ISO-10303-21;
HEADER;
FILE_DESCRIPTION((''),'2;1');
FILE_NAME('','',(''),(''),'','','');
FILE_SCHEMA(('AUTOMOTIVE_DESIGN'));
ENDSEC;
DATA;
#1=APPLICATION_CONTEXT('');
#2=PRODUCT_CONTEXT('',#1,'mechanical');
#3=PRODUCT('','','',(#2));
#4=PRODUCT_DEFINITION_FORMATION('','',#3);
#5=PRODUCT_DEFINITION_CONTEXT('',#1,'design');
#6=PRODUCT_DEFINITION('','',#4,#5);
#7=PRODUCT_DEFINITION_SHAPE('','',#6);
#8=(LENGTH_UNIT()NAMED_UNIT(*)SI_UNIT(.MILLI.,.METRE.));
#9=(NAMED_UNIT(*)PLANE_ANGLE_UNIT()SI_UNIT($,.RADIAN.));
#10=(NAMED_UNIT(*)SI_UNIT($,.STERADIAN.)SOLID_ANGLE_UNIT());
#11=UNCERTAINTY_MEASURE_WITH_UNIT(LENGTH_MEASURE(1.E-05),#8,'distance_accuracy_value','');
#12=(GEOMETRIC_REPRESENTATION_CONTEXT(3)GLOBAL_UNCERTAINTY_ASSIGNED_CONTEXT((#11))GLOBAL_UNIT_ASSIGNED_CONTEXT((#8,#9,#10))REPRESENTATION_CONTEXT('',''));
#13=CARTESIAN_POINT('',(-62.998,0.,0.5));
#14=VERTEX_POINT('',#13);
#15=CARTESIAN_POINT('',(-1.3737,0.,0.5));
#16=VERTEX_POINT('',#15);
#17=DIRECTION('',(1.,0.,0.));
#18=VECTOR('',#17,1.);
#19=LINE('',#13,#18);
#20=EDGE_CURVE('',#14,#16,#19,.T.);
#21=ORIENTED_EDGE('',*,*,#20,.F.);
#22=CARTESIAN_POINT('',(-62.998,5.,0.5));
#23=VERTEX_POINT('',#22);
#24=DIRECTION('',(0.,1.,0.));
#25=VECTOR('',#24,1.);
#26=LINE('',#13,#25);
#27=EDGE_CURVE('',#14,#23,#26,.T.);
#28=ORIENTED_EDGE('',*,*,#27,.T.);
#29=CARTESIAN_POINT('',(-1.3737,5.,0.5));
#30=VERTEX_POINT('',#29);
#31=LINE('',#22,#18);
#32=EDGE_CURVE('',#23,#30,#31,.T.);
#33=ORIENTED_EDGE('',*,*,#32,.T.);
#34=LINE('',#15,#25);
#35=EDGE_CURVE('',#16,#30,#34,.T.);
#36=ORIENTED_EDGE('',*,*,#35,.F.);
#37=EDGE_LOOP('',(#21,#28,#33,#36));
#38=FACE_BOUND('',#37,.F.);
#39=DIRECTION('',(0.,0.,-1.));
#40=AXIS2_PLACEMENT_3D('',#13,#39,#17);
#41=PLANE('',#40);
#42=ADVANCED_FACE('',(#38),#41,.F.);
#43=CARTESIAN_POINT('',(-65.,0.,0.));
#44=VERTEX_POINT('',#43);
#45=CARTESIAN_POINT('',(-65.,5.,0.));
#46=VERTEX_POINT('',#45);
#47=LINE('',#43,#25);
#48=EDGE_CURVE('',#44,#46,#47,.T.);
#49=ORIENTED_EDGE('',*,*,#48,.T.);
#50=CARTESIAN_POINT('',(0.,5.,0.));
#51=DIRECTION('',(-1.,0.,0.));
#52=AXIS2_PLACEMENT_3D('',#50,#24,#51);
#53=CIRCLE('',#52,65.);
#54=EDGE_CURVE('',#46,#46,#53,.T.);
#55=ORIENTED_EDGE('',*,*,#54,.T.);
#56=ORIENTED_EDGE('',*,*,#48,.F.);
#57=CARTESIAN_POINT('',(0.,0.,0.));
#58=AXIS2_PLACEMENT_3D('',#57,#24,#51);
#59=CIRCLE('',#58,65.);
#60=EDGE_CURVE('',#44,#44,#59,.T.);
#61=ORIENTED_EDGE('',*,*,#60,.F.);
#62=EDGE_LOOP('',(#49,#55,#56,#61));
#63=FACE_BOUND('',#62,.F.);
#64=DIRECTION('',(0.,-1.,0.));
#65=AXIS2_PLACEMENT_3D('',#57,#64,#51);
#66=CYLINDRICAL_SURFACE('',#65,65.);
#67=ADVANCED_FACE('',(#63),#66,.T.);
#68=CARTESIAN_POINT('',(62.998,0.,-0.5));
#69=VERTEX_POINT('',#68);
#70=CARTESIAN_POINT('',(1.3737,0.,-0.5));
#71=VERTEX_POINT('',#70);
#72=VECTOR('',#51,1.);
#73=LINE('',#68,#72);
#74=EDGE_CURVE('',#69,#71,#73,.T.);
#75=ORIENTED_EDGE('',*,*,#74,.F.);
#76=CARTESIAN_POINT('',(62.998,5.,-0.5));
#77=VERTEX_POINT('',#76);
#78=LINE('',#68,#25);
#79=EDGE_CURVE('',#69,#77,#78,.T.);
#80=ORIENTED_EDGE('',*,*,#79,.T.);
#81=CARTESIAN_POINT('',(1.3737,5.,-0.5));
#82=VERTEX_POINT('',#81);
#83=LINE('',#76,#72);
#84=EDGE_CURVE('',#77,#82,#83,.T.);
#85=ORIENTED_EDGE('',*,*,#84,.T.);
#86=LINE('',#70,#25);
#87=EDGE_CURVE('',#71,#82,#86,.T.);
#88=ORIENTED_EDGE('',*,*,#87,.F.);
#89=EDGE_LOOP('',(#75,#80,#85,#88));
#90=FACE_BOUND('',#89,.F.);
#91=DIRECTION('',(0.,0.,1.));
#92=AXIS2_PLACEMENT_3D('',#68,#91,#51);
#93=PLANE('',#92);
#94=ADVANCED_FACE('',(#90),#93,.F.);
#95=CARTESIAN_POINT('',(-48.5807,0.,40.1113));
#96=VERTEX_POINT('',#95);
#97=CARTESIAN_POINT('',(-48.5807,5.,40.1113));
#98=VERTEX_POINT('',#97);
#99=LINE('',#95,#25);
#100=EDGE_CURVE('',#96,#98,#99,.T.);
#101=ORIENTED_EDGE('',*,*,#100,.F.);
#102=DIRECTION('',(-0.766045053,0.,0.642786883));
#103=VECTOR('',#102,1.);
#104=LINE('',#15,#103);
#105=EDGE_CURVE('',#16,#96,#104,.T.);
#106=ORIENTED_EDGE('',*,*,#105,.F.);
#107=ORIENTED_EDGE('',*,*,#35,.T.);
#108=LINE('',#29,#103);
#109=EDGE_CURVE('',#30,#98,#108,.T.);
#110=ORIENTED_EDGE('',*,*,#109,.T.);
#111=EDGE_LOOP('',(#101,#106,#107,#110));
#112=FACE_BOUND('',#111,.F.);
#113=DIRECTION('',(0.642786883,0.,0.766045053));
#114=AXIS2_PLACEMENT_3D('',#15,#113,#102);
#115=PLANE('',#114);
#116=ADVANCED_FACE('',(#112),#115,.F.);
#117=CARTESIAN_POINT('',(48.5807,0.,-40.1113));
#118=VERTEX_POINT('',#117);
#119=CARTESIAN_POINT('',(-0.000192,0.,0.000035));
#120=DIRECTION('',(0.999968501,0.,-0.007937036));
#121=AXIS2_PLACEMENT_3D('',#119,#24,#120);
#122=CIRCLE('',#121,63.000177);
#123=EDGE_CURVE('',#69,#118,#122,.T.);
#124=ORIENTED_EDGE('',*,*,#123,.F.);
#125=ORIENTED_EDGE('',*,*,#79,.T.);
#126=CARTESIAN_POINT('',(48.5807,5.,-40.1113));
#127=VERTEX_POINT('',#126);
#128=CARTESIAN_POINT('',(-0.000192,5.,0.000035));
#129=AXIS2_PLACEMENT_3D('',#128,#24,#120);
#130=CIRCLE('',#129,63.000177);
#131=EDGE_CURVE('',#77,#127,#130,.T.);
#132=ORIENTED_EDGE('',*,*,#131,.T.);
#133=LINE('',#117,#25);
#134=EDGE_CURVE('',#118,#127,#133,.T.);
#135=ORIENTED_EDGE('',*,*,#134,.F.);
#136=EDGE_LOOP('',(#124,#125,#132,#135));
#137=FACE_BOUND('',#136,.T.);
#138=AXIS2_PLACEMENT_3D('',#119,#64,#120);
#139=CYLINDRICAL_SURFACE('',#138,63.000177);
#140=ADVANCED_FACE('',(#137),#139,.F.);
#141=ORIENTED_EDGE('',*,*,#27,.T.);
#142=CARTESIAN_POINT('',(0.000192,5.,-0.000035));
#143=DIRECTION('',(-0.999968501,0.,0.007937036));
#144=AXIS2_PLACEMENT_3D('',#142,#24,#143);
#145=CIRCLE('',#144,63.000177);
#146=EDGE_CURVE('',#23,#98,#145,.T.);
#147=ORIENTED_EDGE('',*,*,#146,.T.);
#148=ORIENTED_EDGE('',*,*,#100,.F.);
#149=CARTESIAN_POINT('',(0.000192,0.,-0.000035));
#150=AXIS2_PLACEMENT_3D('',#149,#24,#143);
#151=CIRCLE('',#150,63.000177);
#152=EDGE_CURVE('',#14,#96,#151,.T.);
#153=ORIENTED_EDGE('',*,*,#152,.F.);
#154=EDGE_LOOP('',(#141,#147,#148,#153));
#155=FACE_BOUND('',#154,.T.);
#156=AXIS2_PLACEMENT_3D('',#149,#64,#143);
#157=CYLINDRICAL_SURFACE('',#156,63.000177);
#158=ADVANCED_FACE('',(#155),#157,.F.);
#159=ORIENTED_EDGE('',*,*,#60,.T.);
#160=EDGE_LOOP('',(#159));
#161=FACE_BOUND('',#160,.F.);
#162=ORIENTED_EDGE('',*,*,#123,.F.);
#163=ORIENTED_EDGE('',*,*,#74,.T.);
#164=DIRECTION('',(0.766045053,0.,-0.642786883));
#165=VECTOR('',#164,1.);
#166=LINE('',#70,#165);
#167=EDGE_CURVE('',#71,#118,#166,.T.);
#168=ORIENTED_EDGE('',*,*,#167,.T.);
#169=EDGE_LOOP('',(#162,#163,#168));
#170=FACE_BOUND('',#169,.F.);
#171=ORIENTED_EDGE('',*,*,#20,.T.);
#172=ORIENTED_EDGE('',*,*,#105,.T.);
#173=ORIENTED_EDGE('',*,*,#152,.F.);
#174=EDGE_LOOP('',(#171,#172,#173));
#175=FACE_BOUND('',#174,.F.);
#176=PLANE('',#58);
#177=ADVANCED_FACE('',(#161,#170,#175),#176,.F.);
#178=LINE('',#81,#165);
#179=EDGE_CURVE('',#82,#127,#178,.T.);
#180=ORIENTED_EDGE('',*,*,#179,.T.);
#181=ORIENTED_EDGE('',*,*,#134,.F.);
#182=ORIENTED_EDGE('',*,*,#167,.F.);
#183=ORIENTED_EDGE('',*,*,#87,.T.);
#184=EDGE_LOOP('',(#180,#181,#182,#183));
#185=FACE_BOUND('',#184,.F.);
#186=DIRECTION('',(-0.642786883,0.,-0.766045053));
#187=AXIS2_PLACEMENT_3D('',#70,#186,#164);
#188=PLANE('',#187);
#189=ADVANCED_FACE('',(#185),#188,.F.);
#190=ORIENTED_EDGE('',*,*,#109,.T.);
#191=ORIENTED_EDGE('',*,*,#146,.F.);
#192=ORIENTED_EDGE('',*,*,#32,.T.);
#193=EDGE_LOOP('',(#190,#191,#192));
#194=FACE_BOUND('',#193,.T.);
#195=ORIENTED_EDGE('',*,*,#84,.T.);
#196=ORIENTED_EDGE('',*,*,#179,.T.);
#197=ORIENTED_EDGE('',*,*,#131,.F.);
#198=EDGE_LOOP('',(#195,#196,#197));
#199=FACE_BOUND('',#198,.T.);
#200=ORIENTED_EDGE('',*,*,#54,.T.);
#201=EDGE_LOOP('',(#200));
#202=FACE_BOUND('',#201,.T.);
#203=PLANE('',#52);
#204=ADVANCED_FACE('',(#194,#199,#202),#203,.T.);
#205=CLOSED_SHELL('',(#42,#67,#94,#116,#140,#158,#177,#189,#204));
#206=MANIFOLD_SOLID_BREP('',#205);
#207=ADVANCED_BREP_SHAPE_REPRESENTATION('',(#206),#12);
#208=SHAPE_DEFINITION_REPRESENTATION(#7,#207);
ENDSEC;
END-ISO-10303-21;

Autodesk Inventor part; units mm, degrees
ref_plane "YZ Plane" through (0, 0, 0) normal (1, 0, 0) x (0, 1, 0)
ref_plane "XZ Plane" through (0, 0, 0) normal (0, 1, 0) x (-1, 0, 0)
ref_plane "XY Plane" through (0, 0, 0) normal (0, 0, 1) x (1, 0, 0)
sketch "Эскиз1" plane through (0, 0, 0) normal (0, 1, 0) x (-1, 0, 0)
  circle A0 centre (0, 0) radius 65
  line L0 (0.182, -0.5) -> (62.998, -0.5)
  line L1 (62.998, 0.5) -> (1.3737, 0.5)
  line L2 (1.3737, 0.5) -> (48.5807, 40.1113)
  line L3 (47.9379, 40.8774) -> (-0.182, 0.5)
  line L4 (-0.182, 0.5) -> (-62.998, 0.5)
  line L5 (-62.998, -0.5) -> (-1.3737, -0.5)
  line L6 (-1.3737, -0.5) -> (-48.5807, -40.1113)
  line L7 (-47.9379, -40.8774) -> (0.182, -0.5)
  arc A1 (-62.998, -0.5) -> (-48.5807, -40.1113) centre (0, 0) ccw
  arc A2 (47.9379, 40.8774) -> (-62.998, 0.5) centre (0, 0) ccw
  arc A3 (-47.9379, -40.8774) -> (62.998, -0.5) centre (0, 0) ccw
  arc A4 (62.998, 0.5) -> (48.5807, 40.1113) centre (0, 0) ccw
  dimension "d1" = 130
extrude "Выдавливание1" add sketch "Эскиз1" along normal blind 5 contours A0 | L0 A3 L7 | L3 L4 A2
